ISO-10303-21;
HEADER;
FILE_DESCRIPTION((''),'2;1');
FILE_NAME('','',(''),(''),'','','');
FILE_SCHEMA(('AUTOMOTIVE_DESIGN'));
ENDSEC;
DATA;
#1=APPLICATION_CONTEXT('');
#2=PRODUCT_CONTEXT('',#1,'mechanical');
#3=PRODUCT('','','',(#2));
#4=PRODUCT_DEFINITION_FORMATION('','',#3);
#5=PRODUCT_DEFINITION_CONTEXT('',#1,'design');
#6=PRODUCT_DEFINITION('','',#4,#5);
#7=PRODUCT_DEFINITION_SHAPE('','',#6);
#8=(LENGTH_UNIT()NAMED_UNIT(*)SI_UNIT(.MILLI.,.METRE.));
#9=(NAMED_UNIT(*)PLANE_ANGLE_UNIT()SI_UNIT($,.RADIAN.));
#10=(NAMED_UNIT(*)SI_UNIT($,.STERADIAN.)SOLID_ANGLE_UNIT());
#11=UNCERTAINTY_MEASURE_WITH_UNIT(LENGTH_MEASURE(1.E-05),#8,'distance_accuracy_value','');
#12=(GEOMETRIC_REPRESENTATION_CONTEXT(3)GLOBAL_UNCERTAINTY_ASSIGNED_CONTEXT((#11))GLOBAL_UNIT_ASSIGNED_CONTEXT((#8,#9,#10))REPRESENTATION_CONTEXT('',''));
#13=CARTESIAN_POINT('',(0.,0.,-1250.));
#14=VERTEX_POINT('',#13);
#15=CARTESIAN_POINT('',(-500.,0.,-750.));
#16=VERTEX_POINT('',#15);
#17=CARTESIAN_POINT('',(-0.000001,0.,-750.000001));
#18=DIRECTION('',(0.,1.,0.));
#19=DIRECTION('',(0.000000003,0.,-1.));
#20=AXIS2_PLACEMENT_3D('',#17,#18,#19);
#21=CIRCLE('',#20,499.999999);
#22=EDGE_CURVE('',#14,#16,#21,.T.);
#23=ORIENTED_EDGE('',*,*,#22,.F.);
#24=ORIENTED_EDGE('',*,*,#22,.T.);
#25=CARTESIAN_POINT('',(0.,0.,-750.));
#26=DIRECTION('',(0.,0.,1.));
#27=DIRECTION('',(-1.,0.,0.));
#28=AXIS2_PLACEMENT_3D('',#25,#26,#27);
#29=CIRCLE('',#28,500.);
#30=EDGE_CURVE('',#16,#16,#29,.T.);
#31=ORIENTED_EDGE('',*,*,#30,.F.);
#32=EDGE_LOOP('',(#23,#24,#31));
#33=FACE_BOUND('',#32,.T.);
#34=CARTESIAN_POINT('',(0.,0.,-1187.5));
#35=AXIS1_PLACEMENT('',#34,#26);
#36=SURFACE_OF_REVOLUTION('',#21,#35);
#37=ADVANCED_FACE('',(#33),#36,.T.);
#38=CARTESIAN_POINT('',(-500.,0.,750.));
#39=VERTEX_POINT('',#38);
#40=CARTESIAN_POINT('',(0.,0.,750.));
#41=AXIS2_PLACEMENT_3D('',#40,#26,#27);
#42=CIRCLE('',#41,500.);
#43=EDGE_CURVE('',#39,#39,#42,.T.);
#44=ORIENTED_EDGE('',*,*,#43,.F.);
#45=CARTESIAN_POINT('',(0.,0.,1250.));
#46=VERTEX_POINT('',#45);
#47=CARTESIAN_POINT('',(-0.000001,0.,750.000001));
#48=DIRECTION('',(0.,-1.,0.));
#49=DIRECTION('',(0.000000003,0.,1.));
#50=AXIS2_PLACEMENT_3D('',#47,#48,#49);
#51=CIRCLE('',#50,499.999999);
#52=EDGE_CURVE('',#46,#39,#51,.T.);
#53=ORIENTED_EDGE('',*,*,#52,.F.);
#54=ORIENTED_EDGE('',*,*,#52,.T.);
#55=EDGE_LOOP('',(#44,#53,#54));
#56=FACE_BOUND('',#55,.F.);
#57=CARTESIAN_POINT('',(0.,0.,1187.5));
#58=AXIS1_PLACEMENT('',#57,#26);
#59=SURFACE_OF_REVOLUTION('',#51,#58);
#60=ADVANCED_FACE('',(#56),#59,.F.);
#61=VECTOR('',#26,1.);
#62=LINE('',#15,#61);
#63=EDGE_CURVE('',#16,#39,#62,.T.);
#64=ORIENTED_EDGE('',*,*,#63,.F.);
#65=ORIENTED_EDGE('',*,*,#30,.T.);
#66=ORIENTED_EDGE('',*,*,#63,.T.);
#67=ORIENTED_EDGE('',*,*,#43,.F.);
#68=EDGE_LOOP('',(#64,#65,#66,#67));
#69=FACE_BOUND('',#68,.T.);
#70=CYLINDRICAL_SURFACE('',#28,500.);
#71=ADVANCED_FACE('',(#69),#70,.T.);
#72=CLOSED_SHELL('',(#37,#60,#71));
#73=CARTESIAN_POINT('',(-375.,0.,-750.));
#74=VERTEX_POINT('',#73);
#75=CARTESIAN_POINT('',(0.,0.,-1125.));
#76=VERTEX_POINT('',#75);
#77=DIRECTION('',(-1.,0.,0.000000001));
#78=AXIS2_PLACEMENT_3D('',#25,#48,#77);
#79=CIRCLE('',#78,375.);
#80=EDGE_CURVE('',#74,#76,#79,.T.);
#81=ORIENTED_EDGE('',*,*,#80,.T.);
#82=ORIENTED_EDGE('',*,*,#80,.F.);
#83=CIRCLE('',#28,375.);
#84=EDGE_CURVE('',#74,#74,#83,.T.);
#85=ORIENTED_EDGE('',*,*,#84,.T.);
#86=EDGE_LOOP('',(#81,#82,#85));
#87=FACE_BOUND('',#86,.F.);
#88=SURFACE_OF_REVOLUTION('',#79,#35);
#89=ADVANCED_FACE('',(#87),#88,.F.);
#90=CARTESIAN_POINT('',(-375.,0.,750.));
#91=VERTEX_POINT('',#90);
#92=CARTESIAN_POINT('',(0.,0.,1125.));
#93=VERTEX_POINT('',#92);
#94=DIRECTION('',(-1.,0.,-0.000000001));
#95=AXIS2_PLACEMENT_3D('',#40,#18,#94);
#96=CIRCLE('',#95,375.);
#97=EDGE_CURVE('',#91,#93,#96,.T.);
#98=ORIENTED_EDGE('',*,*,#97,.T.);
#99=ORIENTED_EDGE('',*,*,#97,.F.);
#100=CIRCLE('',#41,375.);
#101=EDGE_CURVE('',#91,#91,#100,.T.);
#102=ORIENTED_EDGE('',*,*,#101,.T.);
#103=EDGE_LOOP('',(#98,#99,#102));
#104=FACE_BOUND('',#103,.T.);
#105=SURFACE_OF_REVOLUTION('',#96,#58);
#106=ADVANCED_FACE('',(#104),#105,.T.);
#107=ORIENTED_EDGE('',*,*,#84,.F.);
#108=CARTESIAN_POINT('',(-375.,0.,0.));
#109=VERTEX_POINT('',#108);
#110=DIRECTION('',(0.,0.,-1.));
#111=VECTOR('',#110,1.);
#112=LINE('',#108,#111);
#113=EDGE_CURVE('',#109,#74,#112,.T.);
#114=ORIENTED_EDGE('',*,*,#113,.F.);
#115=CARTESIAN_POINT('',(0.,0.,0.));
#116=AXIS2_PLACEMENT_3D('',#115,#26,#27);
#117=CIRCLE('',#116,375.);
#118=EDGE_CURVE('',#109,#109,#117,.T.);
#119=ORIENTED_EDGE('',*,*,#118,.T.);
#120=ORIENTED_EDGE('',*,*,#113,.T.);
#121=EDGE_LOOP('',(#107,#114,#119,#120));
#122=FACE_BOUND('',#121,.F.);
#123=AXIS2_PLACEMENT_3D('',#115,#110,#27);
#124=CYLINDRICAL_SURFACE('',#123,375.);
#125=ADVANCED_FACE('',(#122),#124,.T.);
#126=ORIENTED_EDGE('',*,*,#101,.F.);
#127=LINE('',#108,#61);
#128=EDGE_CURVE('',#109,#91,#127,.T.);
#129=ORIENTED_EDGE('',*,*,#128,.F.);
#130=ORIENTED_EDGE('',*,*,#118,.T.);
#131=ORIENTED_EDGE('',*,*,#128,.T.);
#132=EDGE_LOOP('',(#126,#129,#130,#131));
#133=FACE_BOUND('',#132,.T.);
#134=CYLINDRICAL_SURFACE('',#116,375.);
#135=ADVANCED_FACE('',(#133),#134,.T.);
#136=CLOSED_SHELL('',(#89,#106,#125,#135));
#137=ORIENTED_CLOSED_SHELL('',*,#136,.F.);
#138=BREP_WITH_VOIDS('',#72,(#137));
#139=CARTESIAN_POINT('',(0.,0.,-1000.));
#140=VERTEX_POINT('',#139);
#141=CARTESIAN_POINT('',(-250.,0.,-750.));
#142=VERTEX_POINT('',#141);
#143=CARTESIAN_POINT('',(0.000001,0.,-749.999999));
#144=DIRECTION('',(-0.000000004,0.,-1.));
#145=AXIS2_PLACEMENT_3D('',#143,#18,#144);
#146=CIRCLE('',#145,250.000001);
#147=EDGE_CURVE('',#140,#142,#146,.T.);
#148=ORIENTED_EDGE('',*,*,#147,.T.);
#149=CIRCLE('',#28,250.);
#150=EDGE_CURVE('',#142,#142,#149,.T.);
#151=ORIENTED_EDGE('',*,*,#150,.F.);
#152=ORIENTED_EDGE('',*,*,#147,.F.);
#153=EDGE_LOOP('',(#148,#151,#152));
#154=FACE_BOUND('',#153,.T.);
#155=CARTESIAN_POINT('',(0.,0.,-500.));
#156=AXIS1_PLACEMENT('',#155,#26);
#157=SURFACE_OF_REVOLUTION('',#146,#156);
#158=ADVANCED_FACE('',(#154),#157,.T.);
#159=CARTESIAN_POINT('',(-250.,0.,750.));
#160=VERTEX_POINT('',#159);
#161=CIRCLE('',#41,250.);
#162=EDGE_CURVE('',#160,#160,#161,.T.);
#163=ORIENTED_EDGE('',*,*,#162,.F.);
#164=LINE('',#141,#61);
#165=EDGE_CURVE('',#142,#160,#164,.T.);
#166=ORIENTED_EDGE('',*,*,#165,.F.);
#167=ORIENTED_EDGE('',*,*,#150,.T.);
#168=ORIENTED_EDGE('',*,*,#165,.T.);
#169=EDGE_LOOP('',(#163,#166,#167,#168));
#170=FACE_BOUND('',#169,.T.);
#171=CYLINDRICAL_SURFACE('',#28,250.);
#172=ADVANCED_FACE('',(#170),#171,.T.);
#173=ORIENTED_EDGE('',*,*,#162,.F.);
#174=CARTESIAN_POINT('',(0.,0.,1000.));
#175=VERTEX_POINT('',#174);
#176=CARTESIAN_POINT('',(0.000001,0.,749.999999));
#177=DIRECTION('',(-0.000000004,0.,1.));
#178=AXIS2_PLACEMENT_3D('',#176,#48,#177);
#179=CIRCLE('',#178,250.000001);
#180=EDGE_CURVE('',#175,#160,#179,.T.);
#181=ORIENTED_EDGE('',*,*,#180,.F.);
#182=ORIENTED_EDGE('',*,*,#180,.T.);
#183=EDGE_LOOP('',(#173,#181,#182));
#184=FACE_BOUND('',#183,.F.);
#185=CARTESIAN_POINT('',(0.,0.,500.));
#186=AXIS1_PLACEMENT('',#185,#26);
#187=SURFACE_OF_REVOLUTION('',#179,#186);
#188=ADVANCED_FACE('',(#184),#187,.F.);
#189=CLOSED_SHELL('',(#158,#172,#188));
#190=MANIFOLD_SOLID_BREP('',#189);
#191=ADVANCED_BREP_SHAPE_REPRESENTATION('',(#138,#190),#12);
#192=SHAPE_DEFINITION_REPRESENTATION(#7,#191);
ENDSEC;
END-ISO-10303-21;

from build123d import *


with BuildPart() as f1:
    # F0 (on Front) → F1 (revolve)
    with BuildSketch(Plane.XZ):
        with BuildLine():
            Line((-250, 0), (0, 0))
            Line((0, 0), (0, 1000))
            ThreePointArc((0, 1000), (-176.776695, 926.776695), (-250, 750))
            Line((-250, 750), (-250, 0))
        make_face()
    revolve(axis=Axis((0, 0, 500), (0, 0, 1)))

    # F2: F1 across face


with BuildPart() as f1_1:
    add(f1.part)
    add(f1.part.mirror(Plane(origin=(0, 0, 0), x_dir=(1, 0, 0), z_dir=(0, 0, -1))))


with BuildPart() as f4:
    # F3 (on Front) → F4 (revolve)
    with BuildSketch(Plane.XZ):
        with BuildLine():
            Line((-500, 0), (-375, 0))
            Line((-375, 0), (-375, 750))
            ThreePointArc((-375, 750), (-265.165043, 1015.165043), (0, 1125))
            Line((0, 1125), (0, 1250))
            ThreePointArc((0, 1250), (-353.553391, 1103.553391), (-500, 750))
            Line((-500, 750), (-500, 0))
        make_face()
    revolve(axis=Axis((0, 0, 1187.5), (0, 0, 1)))

    # F5: F4 across face


with BuildPart() as f4_1:
    add(f4.part)
    add(f4.part.mirror(Plane(origin=(0, 0, 0), x_dir=(1, 0, 0), z_dir=(0, 0, -1))))


solid = Compound([f1_1.part, f4_1.part])
